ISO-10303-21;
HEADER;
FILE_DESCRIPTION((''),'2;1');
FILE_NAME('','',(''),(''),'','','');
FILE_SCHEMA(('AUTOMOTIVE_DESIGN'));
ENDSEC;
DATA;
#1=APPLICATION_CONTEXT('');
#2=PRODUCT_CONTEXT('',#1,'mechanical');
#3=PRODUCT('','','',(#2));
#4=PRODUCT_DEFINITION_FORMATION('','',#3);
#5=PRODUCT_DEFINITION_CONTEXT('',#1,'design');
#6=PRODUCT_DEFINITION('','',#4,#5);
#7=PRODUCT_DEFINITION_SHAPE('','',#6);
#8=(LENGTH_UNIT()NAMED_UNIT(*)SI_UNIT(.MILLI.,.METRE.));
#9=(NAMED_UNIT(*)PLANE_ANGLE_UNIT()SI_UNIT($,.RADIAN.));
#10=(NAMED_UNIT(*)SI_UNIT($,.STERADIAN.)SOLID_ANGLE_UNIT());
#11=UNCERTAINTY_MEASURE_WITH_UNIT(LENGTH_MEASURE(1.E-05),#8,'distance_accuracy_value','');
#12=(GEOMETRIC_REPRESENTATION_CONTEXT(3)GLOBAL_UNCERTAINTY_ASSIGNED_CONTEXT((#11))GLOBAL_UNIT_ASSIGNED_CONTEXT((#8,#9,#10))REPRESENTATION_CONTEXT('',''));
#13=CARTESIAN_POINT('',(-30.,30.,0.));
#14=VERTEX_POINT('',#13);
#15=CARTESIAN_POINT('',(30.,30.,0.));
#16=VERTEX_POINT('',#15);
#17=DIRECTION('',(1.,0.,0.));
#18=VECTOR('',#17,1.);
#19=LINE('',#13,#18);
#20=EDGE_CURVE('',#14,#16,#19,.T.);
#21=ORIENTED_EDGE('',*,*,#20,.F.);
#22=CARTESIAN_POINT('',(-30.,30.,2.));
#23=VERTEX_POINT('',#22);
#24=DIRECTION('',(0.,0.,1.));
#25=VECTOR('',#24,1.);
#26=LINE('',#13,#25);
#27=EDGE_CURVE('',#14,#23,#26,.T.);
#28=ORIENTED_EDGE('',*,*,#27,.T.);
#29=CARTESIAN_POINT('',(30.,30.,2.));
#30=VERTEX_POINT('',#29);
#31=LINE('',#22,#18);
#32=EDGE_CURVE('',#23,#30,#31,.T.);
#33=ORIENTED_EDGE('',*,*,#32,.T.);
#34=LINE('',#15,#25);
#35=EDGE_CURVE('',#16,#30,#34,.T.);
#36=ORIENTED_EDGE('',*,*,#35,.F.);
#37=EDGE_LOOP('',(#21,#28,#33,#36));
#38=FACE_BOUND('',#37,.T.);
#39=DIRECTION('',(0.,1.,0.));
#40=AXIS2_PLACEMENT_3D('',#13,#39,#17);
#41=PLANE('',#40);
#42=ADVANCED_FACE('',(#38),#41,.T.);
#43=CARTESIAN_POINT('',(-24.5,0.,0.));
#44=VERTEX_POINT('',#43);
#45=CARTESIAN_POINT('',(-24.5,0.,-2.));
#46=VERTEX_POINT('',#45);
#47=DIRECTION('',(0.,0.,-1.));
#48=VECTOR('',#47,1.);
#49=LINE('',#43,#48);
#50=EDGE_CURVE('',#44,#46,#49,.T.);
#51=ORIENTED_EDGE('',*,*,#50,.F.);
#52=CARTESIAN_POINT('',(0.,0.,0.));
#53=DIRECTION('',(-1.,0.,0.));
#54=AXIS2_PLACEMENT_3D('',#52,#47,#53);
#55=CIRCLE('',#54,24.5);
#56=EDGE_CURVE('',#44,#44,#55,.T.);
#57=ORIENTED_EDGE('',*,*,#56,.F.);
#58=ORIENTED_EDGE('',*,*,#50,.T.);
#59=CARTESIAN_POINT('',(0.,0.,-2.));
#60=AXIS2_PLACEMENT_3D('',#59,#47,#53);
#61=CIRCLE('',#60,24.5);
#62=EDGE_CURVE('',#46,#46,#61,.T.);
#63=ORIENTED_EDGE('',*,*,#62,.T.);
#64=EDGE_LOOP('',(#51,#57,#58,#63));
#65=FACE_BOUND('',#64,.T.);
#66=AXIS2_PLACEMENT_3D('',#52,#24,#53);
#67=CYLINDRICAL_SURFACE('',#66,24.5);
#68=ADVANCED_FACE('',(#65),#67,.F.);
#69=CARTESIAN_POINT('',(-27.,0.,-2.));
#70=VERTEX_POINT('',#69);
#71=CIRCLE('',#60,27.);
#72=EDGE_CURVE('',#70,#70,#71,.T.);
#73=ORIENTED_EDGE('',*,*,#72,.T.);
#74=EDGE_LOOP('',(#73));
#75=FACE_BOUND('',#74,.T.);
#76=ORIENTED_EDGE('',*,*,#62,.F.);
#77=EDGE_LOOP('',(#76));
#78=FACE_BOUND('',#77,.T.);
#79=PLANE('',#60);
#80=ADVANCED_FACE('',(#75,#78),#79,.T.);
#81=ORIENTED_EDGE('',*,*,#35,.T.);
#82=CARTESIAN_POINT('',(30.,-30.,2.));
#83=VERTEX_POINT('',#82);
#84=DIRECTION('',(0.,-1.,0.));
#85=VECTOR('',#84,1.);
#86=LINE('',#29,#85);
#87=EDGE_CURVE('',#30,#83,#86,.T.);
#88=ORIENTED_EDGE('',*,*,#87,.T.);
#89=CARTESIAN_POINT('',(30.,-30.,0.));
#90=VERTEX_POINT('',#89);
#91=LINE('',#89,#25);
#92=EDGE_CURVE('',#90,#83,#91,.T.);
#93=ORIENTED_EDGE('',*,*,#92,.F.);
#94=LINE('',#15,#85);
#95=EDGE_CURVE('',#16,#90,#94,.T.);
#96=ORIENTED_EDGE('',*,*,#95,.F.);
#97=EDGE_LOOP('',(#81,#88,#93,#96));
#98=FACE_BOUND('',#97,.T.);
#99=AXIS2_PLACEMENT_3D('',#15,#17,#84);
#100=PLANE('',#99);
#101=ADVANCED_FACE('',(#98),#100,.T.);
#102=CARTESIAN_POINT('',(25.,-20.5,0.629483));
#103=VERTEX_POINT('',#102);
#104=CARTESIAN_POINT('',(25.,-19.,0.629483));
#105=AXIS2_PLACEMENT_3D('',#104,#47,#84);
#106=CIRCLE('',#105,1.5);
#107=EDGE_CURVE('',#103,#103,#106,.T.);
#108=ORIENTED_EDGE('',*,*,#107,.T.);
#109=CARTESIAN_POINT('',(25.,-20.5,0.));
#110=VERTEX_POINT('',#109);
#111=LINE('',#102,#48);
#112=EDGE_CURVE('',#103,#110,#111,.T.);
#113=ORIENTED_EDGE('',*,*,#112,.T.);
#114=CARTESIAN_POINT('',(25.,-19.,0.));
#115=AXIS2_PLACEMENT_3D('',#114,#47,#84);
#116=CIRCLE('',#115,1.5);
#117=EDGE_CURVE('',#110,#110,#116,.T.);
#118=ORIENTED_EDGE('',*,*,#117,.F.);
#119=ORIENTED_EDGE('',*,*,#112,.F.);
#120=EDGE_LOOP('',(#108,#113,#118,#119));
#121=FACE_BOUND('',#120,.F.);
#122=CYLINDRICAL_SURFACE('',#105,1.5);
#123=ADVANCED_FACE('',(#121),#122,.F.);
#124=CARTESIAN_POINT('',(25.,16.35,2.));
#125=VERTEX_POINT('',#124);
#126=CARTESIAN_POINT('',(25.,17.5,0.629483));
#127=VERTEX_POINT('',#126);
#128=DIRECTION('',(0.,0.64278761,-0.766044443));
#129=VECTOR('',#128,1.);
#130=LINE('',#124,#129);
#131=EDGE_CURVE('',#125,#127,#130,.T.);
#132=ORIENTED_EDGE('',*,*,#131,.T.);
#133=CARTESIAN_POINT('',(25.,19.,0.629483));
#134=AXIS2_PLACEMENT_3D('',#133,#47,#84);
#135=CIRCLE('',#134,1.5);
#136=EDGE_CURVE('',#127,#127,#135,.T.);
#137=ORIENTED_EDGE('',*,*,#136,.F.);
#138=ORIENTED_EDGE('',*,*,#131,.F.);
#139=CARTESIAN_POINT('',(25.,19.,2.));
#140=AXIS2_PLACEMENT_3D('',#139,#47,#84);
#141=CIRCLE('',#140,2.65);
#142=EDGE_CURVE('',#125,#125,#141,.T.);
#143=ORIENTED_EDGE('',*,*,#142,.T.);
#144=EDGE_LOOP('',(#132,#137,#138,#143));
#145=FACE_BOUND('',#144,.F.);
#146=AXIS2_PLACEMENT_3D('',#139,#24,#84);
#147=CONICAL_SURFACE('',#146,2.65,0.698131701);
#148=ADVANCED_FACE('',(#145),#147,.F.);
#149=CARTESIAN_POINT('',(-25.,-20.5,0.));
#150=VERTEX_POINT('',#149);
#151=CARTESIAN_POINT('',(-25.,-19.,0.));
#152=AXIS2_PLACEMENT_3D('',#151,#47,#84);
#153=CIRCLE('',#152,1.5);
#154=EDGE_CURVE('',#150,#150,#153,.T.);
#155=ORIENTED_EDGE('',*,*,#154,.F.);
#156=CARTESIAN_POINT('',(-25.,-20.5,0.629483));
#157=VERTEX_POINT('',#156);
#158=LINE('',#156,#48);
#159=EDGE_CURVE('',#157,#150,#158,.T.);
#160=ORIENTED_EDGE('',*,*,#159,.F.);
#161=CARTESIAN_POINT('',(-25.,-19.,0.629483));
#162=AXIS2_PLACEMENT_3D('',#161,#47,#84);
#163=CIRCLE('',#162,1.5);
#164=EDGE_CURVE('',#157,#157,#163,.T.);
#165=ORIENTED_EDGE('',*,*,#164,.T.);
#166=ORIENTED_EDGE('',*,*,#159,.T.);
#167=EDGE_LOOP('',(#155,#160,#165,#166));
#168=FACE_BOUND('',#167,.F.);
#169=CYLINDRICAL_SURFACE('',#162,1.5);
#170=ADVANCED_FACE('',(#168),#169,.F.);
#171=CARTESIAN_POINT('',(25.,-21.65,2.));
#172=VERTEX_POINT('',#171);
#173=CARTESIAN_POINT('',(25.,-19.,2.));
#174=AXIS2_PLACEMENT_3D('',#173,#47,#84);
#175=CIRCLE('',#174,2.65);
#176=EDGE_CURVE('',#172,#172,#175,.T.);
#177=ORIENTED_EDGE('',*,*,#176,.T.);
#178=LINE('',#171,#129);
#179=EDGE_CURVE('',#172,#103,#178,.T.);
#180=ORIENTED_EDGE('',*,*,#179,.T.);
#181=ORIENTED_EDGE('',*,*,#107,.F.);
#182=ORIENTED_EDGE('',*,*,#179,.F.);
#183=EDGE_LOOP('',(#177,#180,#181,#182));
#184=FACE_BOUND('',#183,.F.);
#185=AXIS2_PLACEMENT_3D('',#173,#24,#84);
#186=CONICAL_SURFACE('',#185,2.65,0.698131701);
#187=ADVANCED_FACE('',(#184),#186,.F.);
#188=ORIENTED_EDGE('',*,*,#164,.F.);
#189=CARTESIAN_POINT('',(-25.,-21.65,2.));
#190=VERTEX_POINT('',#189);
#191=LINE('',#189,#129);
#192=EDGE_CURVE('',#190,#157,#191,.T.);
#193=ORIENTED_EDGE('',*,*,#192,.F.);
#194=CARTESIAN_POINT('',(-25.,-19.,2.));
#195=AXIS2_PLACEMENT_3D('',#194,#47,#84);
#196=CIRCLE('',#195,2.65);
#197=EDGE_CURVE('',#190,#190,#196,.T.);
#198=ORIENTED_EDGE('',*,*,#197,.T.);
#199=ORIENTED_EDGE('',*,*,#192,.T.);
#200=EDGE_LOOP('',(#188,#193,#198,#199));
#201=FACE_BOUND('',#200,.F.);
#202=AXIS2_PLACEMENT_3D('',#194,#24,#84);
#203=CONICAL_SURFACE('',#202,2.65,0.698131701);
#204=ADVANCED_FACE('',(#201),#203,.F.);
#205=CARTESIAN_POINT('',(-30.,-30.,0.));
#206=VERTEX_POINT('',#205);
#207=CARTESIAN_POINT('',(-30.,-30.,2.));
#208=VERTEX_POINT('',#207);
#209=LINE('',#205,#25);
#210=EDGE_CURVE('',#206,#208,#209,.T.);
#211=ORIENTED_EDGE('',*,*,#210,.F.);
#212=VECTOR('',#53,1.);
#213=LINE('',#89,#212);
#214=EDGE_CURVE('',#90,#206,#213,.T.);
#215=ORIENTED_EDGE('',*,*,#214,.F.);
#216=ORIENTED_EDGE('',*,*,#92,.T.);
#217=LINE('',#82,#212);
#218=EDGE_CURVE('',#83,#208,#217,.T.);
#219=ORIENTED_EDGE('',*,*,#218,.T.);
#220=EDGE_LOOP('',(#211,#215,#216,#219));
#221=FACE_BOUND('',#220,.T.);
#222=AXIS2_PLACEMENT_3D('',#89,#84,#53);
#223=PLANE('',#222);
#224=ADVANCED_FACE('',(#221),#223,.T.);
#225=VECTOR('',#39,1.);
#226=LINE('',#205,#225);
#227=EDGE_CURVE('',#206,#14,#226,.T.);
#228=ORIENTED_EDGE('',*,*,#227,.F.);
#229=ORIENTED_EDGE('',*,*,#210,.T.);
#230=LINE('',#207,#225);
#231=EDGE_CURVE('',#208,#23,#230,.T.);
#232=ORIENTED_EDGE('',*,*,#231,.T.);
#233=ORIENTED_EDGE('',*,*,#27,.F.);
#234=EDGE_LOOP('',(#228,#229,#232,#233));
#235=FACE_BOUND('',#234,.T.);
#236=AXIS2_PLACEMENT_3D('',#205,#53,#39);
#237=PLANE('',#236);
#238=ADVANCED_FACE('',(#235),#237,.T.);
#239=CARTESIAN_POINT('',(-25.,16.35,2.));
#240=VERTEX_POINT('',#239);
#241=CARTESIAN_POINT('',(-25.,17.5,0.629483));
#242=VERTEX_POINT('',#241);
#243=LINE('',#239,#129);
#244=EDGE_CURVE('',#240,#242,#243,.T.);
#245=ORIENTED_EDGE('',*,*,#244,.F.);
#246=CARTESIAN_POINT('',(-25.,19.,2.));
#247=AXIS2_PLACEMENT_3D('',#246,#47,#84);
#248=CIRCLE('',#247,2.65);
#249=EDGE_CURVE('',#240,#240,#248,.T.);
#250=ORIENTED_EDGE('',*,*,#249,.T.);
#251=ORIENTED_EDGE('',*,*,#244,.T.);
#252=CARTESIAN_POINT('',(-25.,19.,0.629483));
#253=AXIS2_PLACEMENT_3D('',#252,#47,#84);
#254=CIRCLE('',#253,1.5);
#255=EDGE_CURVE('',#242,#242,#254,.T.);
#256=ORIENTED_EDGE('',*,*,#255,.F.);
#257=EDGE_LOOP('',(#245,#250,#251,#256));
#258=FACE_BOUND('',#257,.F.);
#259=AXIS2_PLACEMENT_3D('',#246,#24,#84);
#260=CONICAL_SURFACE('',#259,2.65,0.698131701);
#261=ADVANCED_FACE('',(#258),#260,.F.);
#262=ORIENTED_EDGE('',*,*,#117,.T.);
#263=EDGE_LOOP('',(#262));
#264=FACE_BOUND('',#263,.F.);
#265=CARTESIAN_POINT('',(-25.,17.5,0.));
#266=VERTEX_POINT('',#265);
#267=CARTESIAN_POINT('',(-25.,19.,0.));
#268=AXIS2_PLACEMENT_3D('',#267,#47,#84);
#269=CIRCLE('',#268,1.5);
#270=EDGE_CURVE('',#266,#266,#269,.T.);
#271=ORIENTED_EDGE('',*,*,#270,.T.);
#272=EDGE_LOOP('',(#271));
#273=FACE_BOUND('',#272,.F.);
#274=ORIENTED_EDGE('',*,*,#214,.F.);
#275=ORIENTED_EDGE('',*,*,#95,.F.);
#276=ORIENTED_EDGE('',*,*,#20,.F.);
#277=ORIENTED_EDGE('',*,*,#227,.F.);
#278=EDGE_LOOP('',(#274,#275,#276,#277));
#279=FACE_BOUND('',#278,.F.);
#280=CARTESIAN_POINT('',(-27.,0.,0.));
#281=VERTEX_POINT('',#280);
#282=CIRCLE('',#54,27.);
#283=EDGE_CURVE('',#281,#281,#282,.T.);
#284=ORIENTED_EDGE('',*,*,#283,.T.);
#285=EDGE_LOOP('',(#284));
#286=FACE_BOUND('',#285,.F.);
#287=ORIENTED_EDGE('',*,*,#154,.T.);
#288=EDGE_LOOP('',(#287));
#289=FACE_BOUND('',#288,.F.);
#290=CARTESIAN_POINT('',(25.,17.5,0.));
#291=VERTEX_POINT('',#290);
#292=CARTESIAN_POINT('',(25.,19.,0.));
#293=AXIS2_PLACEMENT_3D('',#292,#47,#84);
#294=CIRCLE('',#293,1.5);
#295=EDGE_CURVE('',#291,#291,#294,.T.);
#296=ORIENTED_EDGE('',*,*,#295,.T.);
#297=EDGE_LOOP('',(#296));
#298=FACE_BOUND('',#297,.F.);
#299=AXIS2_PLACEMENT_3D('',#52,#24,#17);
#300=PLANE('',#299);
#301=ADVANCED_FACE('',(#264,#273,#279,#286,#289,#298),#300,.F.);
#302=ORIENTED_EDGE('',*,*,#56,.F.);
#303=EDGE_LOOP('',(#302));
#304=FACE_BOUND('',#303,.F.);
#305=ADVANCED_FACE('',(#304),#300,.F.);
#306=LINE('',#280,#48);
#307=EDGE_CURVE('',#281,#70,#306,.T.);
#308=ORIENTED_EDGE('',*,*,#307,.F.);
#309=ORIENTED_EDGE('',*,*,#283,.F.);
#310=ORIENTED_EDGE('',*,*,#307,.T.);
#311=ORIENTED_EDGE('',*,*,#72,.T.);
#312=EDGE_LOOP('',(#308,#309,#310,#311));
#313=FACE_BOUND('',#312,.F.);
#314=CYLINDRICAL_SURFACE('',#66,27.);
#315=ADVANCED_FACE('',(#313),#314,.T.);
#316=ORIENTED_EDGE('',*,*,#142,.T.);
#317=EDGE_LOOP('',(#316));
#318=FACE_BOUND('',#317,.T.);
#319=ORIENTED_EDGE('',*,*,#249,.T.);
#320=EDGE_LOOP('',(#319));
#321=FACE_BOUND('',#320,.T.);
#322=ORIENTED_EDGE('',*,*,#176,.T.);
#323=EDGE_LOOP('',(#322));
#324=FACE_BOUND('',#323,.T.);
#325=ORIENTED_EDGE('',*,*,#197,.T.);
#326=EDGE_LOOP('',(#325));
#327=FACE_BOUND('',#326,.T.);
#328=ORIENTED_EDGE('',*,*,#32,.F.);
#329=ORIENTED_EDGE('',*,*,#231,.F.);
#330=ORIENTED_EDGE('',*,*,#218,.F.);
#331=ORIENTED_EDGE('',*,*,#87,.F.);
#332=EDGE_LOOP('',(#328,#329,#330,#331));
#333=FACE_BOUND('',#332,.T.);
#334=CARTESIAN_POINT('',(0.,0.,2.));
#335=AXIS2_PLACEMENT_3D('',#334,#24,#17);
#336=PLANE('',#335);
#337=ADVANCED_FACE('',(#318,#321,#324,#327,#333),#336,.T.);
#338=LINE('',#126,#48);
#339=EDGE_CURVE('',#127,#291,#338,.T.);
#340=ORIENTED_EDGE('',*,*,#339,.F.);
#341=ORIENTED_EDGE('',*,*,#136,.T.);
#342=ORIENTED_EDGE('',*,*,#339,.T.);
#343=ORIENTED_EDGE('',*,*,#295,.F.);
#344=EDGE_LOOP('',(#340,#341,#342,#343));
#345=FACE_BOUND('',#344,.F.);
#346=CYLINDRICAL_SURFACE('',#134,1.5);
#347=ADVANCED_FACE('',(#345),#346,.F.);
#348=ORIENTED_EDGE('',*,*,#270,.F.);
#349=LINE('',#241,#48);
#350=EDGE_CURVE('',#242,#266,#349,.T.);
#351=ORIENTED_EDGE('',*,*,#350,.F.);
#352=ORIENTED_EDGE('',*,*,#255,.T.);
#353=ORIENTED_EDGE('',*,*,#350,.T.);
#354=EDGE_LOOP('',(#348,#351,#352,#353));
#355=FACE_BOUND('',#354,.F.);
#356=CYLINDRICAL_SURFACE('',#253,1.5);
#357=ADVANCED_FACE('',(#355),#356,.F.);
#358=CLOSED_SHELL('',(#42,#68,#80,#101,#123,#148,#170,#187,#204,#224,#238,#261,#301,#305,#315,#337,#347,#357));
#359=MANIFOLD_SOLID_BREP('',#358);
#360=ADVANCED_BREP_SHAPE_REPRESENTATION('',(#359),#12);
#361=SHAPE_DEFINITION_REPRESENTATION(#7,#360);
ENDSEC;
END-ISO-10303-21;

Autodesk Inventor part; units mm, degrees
ref_plane "YZ Plane" through (0, 0, 0) normal (1, 0, 0) x (0, 1, 0)
ref_plane "XZ Plane" through (0, 0, 0) normal (0, 1, 0) x (-1, 0, 0)
ref_plane "XY Plane" through (0, 0, 0) normal (0, 0, 1) x (1, 0, 0)
sketch "Boceto1" plane through (0, 0, 0) normal (0, 0, 1) x (1, 0, 0)
  line L0 (-30, 30) -> (30, 30)
  line L1 (30, 30) -> (30, -30)
  line L2 (30, -30) -> (-30, -30)
  line L3 (-30, -30) -> (-30, 30)
  line L4 (-30, 30) -> (30, -30) construction
  line L5 (30, 30) -> (-30, -30) construction
  point P0 (0, 0)
  dimension "d0" = 60
  dimension "d1" = 60
extrude "Extrusión1" add sketch "Boceto1" along normal blind 2
sketch "Boceto2" plane through (0, 0, 2) normal (0, 0, 1) x (1, 0, 0)
  circle A0 centre (-25, 19) radius 2.2 projected
  circle A1 centre (-25, -19) radius 2.2 projected
  circle A2 centre (25, -19) radius 2.2 projected
  circle A3 centre (25, 19) radius 2.2 projected
  point P0 (0, 0)
hole "Agujero1" at (25, 19, 2) at (-25, 19, 2) at (-25, -19, 2) at (25, -19, 2) direction (0, 0, -1) diameter 3 depth 2 countersink diameter 5.3 countersink angle 80
sketch "Boceto3" plane through (0, 0, 0) normal (0, 0, -1) x (-1, 0, 0)
  circle A0 centre (0, 0) radius 24.5 projected
  circle A1 centre (0, 0) radius 27
  circle A2 centre (0, 0) radius 24.5
  circle A3 centre (0, 0) radius 27.5 projected
  circle A4 centre (0, 0) radius 27.5 projected
  point P0 (12.49, 24.5)
  point P1 (12.49, -24.5)
  dimension "d13" = 54
extrude "Extrusión2" add sketch "Boceto3" along normal blind 2 contours A1
properties part number "Tapa"
